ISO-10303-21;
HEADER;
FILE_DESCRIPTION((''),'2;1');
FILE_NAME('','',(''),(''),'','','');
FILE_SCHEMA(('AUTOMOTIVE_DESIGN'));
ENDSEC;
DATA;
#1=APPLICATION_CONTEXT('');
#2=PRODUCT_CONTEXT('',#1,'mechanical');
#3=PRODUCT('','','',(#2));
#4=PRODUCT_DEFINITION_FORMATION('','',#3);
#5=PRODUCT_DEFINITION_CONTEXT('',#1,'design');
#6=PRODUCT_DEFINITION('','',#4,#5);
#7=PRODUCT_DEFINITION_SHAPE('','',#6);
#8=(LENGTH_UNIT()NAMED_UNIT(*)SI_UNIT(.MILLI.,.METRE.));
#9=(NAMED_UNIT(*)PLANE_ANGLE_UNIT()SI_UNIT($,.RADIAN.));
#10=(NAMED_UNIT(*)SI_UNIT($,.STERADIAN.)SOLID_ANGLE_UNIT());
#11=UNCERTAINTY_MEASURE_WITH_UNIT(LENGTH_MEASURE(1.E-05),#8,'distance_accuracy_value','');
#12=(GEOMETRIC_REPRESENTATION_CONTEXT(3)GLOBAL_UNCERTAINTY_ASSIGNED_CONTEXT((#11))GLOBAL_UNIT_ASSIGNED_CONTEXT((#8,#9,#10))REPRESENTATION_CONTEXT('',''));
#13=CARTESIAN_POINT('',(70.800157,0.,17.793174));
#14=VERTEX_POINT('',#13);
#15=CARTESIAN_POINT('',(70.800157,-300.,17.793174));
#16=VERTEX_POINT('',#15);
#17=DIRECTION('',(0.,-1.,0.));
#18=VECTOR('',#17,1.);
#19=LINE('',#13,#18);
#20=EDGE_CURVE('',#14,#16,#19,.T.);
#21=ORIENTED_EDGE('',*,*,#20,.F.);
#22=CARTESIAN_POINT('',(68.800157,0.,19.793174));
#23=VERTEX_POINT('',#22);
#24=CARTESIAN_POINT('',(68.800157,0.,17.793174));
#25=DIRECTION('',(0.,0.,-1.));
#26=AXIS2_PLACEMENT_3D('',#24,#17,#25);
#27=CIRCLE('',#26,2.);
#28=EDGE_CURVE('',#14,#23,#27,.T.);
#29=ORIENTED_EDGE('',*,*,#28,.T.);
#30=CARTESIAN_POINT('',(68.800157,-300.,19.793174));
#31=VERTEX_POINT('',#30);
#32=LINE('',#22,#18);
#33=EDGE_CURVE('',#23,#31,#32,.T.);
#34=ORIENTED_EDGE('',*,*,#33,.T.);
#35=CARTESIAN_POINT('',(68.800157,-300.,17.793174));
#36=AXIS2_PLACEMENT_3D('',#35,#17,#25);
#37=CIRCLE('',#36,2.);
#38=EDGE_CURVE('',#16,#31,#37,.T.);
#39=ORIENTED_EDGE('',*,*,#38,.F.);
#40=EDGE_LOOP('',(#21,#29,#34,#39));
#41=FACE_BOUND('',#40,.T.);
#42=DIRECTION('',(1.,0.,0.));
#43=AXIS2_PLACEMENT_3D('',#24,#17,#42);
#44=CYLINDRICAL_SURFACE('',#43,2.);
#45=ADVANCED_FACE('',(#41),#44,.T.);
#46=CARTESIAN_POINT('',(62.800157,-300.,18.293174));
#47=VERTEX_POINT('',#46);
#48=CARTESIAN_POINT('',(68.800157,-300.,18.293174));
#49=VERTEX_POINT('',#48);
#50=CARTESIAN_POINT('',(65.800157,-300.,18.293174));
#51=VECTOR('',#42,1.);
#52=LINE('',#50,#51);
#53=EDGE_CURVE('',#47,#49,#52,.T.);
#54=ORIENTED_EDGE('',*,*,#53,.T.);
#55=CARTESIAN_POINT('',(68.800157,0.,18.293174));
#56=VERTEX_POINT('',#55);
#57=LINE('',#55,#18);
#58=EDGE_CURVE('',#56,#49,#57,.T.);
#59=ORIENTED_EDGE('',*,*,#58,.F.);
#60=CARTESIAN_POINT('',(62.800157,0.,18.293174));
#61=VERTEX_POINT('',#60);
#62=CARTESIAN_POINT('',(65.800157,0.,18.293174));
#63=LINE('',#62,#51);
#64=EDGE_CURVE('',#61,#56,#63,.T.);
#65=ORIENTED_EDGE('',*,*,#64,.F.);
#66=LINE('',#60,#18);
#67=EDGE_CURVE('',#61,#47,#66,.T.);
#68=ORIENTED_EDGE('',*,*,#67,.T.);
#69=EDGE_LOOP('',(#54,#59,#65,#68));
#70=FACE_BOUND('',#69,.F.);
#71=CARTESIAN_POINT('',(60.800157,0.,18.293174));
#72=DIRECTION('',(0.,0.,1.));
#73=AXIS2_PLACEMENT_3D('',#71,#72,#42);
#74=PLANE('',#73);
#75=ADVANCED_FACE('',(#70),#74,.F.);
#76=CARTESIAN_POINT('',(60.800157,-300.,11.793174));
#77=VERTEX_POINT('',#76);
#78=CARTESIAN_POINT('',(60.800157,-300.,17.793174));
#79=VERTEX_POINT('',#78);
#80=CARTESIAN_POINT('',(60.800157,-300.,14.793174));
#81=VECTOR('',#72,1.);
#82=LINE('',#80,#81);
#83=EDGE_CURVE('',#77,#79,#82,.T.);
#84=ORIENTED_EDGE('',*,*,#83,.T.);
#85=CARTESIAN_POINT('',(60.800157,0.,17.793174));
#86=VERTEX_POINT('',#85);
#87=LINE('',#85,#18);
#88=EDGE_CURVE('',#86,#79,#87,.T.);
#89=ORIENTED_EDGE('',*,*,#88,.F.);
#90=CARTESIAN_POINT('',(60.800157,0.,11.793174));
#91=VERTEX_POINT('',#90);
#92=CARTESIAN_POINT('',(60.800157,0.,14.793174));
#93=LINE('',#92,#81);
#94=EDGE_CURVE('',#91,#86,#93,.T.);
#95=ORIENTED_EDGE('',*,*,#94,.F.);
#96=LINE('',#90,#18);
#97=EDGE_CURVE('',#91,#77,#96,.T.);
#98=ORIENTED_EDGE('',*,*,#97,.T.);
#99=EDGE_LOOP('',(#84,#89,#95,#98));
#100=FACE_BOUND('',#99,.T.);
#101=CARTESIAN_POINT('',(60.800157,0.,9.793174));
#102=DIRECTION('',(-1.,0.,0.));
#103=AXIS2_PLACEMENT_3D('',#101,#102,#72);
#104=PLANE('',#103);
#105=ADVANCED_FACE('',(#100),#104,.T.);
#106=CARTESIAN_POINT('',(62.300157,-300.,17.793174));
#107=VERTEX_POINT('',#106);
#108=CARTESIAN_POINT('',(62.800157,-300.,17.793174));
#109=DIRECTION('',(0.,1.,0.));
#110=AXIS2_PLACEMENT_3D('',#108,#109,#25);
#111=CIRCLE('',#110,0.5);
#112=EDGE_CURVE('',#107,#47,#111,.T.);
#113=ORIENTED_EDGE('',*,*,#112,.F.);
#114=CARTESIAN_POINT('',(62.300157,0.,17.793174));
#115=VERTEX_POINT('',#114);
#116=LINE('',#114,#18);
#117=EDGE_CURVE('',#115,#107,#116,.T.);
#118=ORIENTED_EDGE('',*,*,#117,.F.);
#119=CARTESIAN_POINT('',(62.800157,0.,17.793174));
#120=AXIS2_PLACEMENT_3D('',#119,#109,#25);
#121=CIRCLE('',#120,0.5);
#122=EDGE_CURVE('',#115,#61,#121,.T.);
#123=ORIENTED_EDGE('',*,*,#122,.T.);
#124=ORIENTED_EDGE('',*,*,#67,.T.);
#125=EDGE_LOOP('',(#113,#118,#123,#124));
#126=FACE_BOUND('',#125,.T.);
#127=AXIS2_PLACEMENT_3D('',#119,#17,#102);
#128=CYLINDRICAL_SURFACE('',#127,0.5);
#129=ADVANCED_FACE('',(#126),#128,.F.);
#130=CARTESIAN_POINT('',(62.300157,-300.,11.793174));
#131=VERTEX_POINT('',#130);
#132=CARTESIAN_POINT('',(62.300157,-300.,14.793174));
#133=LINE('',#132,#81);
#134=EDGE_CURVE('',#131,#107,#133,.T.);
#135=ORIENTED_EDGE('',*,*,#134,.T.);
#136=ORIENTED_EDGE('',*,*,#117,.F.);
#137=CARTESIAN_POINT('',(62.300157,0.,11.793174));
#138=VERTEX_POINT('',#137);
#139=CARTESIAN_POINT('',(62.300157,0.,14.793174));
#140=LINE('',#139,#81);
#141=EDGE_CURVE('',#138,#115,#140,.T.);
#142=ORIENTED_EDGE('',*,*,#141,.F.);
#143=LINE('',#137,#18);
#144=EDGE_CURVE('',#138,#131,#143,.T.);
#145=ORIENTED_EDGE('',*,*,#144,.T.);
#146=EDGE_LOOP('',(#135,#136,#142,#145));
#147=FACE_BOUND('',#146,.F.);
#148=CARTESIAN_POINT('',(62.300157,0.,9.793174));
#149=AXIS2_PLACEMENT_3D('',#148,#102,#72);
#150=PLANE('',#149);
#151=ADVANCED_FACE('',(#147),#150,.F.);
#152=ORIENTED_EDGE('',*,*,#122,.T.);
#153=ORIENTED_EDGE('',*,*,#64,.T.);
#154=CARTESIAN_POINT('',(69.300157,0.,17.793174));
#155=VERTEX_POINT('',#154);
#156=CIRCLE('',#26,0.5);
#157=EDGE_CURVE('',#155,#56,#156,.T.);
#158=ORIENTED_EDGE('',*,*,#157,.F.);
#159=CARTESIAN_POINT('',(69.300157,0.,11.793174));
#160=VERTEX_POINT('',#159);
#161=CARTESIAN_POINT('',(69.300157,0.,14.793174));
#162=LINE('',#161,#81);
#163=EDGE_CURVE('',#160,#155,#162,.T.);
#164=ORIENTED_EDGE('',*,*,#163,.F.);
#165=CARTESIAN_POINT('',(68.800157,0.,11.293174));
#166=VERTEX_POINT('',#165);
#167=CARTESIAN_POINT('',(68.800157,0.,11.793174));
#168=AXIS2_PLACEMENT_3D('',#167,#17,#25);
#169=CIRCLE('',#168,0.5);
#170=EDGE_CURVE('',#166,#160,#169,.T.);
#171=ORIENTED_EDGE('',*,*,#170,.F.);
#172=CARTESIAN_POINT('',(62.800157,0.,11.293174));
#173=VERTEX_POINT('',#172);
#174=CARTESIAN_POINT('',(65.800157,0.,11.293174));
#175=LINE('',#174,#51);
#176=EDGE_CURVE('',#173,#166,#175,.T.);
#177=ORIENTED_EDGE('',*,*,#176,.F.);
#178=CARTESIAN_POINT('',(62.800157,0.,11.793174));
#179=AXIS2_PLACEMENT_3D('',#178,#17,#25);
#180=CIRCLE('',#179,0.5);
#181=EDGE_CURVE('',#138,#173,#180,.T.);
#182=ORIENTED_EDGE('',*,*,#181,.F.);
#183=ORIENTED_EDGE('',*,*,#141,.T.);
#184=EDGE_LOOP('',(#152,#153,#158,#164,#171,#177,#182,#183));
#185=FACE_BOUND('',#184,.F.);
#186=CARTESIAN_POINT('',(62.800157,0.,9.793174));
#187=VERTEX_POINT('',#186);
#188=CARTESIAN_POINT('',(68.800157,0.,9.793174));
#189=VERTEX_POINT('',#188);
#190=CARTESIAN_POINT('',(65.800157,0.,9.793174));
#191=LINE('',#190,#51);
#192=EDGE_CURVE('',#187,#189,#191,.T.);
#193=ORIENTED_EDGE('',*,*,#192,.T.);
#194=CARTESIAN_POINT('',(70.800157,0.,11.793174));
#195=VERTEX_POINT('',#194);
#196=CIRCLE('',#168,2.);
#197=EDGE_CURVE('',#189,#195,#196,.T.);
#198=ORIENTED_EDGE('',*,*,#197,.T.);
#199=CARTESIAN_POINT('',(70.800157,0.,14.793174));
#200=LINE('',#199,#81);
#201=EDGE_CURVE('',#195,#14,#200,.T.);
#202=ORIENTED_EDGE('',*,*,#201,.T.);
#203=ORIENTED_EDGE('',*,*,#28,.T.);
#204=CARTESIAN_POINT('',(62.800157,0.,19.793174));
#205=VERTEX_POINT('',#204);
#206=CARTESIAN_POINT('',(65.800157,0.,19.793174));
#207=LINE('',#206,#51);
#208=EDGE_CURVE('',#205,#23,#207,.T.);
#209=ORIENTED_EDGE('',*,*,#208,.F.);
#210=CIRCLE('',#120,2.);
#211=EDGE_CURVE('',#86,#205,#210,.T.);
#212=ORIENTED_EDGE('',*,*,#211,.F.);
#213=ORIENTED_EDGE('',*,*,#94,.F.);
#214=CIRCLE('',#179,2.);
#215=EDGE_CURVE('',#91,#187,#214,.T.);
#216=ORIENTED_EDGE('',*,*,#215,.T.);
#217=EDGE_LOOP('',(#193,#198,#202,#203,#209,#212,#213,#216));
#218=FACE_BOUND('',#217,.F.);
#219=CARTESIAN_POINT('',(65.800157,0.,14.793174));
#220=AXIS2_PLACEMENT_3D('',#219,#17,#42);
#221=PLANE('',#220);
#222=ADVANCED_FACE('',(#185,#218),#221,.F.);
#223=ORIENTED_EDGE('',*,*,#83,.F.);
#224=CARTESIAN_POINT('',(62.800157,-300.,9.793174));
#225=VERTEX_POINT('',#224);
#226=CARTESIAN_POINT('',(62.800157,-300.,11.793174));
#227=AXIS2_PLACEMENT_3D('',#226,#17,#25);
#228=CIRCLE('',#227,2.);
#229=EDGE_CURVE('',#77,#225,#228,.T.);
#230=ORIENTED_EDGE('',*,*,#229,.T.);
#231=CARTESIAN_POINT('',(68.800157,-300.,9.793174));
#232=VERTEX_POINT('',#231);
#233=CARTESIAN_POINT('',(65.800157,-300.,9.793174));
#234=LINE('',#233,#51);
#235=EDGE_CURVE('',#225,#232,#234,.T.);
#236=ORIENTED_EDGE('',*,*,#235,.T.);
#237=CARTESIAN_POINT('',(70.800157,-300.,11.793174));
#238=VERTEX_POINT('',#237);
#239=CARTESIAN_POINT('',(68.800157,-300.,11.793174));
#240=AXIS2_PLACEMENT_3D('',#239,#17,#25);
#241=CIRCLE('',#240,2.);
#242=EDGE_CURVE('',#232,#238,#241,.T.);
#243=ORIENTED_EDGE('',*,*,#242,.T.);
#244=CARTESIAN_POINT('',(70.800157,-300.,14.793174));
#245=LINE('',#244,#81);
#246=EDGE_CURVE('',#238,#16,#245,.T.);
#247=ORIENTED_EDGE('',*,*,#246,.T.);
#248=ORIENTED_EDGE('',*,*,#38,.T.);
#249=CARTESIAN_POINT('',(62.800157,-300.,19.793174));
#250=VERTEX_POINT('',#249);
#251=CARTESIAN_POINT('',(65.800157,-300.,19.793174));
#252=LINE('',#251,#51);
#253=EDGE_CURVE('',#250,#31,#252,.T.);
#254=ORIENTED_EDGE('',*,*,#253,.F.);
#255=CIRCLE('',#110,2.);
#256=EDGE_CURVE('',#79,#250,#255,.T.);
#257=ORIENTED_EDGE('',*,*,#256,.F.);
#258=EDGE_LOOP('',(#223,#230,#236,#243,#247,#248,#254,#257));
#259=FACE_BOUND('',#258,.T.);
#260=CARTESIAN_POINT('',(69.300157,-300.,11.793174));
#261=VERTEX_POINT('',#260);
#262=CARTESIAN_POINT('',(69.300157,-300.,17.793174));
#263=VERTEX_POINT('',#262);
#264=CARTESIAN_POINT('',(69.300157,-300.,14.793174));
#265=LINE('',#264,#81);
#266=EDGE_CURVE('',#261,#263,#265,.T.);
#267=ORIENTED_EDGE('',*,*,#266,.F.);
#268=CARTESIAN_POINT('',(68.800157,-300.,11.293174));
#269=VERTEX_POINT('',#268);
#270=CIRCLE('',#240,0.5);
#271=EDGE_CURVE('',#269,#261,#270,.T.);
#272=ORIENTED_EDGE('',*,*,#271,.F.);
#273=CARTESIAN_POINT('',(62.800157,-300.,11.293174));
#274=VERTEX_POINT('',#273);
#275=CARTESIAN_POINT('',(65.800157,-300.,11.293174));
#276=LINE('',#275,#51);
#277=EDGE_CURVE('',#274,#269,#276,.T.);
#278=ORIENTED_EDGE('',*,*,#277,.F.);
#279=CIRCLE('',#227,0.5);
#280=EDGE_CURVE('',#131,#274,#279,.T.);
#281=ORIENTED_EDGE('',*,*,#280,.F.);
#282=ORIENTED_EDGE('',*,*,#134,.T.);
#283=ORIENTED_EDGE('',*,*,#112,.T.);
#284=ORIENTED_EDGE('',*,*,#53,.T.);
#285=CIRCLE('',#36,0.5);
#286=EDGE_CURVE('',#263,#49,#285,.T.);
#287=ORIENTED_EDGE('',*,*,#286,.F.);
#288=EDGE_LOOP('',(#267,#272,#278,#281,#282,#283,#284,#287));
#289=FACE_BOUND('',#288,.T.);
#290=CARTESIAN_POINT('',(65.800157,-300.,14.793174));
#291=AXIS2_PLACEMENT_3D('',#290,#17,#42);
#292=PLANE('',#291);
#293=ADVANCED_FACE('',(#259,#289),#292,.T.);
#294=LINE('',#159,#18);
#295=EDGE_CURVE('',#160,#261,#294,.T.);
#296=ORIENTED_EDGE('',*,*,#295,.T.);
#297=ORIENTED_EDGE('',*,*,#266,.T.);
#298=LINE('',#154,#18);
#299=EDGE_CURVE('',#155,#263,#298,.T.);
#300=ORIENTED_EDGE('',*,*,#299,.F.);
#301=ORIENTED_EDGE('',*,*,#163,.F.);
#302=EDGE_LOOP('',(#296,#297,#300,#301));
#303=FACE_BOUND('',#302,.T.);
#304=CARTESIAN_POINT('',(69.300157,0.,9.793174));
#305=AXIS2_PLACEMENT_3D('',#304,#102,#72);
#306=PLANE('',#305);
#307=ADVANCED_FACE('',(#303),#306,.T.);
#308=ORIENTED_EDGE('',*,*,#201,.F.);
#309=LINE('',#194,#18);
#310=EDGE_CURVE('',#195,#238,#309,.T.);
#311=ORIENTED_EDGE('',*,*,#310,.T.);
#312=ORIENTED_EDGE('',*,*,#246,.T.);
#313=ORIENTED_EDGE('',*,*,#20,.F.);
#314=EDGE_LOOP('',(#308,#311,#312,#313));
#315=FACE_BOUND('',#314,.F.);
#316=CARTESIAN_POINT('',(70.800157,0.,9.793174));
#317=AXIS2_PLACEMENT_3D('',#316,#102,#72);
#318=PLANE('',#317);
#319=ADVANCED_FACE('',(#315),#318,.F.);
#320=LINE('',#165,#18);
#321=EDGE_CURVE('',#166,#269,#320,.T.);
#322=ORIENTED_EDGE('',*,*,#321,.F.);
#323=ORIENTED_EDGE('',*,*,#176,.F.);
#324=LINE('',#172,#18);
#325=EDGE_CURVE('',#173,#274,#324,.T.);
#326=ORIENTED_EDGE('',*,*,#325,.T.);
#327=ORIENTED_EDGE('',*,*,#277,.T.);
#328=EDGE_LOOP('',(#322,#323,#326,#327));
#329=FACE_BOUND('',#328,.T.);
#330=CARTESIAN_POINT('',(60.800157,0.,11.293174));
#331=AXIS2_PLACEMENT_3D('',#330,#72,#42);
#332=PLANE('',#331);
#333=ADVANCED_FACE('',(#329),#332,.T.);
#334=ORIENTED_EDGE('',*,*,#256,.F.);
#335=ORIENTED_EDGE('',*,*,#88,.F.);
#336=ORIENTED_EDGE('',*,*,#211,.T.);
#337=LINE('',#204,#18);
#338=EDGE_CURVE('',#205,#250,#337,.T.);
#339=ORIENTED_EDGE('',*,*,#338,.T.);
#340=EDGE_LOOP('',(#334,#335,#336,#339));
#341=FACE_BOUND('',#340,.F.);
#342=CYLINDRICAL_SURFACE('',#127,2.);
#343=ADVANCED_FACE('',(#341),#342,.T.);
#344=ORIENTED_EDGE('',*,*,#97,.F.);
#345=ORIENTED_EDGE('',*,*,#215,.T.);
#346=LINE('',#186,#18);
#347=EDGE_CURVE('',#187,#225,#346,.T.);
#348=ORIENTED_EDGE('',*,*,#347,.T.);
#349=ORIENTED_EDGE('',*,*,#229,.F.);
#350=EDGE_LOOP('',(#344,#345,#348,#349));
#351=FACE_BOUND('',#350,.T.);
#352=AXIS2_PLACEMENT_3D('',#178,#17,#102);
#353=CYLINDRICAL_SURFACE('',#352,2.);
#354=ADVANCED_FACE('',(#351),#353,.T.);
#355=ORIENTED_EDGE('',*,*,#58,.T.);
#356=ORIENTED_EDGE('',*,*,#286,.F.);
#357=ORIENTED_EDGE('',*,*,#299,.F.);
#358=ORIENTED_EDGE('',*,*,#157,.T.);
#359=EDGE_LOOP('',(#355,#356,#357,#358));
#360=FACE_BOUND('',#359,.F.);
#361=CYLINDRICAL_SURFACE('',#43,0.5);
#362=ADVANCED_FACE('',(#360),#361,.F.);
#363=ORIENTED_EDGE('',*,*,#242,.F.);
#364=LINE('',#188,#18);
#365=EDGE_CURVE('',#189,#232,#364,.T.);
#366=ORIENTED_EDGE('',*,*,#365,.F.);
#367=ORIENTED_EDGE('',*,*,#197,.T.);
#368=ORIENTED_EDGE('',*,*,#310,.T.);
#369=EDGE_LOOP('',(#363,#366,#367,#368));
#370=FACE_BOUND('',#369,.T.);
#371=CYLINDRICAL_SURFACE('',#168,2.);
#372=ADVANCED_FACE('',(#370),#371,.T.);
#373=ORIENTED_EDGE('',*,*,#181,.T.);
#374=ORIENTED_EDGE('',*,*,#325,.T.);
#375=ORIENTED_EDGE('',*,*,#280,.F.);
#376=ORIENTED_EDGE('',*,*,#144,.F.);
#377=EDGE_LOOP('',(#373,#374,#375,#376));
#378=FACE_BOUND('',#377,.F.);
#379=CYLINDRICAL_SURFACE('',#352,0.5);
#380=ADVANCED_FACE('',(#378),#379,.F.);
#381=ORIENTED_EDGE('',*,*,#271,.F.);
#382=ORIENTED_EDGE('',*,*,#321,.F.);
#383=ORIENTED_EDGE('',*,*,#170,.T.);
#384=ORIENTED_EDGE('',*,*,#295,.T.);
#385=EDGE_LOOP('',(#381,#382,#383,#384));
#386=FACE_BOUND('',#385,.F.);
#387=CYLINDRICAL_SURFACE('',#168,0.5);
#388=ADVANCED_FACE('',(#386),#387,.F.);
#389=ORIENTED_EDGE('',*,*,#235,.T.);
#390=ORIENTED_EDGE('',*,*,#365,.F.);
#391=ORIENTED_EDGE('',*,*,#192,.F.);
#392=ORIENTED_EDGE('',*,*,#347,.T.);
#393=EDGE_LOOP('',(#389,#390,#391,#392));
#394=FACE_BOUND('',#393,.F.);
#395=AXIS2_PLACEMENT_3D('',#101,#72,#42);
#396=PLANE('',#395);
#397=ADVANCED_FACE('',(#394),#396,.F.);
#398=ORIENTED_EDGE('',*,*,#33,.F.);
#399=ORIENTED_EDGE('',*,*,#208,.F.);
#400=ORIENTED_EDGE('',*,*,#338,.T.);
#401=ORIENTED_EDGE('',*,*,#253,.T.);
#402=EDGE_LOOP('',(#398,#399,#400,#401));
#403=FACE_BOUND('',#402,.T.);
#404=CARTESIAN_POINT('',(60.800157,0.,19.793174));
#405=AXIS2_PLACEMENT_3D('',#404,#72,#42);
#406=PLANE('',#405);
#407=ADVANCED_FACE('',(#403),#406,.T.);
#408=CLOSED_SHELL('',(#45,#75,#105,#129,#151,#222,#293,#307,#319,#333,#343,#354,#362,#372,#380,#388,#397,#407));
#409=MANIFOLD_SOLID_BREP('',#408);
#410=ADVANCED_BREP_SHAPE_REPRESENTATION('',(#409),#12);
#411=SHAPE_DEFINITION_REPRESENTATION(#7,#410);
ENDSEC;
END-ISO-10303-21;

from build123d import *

# Parameters (mm, degrees)
F0_W     = 10
F0_H     = 10
F1_DEPTH = 300
F2_R     = 2
F3_T     = -1.5


with BuildPart() as f1:
    # F0 (on Front) → F1 (new body)
    with BuildSketch(Plane.XZ):
        with Locations((65.800157, 14.793174)):
            Rectangle(F0_W, F0_H)
    extrude(amount=F1_DEPTH)

    # F2
    f2_edges = [f1.edges().sort_by_distance(p)[0] for p in [
        (70.800157, -150, 19.793174),
        (60.800157, -150, 19.793174),
        (70.800157, -150, 9.793174),
        (60.800157, -150, 9.793174),
    ]]
    fillet(f2_edges, radius=F2_R)

    # F3
    f3_openings = [f1.faces().sort_by_distance(p)[0] for p in [
        (65.800157, -300, 14.793174),
        (65.800157, 0, 14.793174),
    ]]
    offset(amount=F3_T, openings=f3_openings)


solid = f1.part
